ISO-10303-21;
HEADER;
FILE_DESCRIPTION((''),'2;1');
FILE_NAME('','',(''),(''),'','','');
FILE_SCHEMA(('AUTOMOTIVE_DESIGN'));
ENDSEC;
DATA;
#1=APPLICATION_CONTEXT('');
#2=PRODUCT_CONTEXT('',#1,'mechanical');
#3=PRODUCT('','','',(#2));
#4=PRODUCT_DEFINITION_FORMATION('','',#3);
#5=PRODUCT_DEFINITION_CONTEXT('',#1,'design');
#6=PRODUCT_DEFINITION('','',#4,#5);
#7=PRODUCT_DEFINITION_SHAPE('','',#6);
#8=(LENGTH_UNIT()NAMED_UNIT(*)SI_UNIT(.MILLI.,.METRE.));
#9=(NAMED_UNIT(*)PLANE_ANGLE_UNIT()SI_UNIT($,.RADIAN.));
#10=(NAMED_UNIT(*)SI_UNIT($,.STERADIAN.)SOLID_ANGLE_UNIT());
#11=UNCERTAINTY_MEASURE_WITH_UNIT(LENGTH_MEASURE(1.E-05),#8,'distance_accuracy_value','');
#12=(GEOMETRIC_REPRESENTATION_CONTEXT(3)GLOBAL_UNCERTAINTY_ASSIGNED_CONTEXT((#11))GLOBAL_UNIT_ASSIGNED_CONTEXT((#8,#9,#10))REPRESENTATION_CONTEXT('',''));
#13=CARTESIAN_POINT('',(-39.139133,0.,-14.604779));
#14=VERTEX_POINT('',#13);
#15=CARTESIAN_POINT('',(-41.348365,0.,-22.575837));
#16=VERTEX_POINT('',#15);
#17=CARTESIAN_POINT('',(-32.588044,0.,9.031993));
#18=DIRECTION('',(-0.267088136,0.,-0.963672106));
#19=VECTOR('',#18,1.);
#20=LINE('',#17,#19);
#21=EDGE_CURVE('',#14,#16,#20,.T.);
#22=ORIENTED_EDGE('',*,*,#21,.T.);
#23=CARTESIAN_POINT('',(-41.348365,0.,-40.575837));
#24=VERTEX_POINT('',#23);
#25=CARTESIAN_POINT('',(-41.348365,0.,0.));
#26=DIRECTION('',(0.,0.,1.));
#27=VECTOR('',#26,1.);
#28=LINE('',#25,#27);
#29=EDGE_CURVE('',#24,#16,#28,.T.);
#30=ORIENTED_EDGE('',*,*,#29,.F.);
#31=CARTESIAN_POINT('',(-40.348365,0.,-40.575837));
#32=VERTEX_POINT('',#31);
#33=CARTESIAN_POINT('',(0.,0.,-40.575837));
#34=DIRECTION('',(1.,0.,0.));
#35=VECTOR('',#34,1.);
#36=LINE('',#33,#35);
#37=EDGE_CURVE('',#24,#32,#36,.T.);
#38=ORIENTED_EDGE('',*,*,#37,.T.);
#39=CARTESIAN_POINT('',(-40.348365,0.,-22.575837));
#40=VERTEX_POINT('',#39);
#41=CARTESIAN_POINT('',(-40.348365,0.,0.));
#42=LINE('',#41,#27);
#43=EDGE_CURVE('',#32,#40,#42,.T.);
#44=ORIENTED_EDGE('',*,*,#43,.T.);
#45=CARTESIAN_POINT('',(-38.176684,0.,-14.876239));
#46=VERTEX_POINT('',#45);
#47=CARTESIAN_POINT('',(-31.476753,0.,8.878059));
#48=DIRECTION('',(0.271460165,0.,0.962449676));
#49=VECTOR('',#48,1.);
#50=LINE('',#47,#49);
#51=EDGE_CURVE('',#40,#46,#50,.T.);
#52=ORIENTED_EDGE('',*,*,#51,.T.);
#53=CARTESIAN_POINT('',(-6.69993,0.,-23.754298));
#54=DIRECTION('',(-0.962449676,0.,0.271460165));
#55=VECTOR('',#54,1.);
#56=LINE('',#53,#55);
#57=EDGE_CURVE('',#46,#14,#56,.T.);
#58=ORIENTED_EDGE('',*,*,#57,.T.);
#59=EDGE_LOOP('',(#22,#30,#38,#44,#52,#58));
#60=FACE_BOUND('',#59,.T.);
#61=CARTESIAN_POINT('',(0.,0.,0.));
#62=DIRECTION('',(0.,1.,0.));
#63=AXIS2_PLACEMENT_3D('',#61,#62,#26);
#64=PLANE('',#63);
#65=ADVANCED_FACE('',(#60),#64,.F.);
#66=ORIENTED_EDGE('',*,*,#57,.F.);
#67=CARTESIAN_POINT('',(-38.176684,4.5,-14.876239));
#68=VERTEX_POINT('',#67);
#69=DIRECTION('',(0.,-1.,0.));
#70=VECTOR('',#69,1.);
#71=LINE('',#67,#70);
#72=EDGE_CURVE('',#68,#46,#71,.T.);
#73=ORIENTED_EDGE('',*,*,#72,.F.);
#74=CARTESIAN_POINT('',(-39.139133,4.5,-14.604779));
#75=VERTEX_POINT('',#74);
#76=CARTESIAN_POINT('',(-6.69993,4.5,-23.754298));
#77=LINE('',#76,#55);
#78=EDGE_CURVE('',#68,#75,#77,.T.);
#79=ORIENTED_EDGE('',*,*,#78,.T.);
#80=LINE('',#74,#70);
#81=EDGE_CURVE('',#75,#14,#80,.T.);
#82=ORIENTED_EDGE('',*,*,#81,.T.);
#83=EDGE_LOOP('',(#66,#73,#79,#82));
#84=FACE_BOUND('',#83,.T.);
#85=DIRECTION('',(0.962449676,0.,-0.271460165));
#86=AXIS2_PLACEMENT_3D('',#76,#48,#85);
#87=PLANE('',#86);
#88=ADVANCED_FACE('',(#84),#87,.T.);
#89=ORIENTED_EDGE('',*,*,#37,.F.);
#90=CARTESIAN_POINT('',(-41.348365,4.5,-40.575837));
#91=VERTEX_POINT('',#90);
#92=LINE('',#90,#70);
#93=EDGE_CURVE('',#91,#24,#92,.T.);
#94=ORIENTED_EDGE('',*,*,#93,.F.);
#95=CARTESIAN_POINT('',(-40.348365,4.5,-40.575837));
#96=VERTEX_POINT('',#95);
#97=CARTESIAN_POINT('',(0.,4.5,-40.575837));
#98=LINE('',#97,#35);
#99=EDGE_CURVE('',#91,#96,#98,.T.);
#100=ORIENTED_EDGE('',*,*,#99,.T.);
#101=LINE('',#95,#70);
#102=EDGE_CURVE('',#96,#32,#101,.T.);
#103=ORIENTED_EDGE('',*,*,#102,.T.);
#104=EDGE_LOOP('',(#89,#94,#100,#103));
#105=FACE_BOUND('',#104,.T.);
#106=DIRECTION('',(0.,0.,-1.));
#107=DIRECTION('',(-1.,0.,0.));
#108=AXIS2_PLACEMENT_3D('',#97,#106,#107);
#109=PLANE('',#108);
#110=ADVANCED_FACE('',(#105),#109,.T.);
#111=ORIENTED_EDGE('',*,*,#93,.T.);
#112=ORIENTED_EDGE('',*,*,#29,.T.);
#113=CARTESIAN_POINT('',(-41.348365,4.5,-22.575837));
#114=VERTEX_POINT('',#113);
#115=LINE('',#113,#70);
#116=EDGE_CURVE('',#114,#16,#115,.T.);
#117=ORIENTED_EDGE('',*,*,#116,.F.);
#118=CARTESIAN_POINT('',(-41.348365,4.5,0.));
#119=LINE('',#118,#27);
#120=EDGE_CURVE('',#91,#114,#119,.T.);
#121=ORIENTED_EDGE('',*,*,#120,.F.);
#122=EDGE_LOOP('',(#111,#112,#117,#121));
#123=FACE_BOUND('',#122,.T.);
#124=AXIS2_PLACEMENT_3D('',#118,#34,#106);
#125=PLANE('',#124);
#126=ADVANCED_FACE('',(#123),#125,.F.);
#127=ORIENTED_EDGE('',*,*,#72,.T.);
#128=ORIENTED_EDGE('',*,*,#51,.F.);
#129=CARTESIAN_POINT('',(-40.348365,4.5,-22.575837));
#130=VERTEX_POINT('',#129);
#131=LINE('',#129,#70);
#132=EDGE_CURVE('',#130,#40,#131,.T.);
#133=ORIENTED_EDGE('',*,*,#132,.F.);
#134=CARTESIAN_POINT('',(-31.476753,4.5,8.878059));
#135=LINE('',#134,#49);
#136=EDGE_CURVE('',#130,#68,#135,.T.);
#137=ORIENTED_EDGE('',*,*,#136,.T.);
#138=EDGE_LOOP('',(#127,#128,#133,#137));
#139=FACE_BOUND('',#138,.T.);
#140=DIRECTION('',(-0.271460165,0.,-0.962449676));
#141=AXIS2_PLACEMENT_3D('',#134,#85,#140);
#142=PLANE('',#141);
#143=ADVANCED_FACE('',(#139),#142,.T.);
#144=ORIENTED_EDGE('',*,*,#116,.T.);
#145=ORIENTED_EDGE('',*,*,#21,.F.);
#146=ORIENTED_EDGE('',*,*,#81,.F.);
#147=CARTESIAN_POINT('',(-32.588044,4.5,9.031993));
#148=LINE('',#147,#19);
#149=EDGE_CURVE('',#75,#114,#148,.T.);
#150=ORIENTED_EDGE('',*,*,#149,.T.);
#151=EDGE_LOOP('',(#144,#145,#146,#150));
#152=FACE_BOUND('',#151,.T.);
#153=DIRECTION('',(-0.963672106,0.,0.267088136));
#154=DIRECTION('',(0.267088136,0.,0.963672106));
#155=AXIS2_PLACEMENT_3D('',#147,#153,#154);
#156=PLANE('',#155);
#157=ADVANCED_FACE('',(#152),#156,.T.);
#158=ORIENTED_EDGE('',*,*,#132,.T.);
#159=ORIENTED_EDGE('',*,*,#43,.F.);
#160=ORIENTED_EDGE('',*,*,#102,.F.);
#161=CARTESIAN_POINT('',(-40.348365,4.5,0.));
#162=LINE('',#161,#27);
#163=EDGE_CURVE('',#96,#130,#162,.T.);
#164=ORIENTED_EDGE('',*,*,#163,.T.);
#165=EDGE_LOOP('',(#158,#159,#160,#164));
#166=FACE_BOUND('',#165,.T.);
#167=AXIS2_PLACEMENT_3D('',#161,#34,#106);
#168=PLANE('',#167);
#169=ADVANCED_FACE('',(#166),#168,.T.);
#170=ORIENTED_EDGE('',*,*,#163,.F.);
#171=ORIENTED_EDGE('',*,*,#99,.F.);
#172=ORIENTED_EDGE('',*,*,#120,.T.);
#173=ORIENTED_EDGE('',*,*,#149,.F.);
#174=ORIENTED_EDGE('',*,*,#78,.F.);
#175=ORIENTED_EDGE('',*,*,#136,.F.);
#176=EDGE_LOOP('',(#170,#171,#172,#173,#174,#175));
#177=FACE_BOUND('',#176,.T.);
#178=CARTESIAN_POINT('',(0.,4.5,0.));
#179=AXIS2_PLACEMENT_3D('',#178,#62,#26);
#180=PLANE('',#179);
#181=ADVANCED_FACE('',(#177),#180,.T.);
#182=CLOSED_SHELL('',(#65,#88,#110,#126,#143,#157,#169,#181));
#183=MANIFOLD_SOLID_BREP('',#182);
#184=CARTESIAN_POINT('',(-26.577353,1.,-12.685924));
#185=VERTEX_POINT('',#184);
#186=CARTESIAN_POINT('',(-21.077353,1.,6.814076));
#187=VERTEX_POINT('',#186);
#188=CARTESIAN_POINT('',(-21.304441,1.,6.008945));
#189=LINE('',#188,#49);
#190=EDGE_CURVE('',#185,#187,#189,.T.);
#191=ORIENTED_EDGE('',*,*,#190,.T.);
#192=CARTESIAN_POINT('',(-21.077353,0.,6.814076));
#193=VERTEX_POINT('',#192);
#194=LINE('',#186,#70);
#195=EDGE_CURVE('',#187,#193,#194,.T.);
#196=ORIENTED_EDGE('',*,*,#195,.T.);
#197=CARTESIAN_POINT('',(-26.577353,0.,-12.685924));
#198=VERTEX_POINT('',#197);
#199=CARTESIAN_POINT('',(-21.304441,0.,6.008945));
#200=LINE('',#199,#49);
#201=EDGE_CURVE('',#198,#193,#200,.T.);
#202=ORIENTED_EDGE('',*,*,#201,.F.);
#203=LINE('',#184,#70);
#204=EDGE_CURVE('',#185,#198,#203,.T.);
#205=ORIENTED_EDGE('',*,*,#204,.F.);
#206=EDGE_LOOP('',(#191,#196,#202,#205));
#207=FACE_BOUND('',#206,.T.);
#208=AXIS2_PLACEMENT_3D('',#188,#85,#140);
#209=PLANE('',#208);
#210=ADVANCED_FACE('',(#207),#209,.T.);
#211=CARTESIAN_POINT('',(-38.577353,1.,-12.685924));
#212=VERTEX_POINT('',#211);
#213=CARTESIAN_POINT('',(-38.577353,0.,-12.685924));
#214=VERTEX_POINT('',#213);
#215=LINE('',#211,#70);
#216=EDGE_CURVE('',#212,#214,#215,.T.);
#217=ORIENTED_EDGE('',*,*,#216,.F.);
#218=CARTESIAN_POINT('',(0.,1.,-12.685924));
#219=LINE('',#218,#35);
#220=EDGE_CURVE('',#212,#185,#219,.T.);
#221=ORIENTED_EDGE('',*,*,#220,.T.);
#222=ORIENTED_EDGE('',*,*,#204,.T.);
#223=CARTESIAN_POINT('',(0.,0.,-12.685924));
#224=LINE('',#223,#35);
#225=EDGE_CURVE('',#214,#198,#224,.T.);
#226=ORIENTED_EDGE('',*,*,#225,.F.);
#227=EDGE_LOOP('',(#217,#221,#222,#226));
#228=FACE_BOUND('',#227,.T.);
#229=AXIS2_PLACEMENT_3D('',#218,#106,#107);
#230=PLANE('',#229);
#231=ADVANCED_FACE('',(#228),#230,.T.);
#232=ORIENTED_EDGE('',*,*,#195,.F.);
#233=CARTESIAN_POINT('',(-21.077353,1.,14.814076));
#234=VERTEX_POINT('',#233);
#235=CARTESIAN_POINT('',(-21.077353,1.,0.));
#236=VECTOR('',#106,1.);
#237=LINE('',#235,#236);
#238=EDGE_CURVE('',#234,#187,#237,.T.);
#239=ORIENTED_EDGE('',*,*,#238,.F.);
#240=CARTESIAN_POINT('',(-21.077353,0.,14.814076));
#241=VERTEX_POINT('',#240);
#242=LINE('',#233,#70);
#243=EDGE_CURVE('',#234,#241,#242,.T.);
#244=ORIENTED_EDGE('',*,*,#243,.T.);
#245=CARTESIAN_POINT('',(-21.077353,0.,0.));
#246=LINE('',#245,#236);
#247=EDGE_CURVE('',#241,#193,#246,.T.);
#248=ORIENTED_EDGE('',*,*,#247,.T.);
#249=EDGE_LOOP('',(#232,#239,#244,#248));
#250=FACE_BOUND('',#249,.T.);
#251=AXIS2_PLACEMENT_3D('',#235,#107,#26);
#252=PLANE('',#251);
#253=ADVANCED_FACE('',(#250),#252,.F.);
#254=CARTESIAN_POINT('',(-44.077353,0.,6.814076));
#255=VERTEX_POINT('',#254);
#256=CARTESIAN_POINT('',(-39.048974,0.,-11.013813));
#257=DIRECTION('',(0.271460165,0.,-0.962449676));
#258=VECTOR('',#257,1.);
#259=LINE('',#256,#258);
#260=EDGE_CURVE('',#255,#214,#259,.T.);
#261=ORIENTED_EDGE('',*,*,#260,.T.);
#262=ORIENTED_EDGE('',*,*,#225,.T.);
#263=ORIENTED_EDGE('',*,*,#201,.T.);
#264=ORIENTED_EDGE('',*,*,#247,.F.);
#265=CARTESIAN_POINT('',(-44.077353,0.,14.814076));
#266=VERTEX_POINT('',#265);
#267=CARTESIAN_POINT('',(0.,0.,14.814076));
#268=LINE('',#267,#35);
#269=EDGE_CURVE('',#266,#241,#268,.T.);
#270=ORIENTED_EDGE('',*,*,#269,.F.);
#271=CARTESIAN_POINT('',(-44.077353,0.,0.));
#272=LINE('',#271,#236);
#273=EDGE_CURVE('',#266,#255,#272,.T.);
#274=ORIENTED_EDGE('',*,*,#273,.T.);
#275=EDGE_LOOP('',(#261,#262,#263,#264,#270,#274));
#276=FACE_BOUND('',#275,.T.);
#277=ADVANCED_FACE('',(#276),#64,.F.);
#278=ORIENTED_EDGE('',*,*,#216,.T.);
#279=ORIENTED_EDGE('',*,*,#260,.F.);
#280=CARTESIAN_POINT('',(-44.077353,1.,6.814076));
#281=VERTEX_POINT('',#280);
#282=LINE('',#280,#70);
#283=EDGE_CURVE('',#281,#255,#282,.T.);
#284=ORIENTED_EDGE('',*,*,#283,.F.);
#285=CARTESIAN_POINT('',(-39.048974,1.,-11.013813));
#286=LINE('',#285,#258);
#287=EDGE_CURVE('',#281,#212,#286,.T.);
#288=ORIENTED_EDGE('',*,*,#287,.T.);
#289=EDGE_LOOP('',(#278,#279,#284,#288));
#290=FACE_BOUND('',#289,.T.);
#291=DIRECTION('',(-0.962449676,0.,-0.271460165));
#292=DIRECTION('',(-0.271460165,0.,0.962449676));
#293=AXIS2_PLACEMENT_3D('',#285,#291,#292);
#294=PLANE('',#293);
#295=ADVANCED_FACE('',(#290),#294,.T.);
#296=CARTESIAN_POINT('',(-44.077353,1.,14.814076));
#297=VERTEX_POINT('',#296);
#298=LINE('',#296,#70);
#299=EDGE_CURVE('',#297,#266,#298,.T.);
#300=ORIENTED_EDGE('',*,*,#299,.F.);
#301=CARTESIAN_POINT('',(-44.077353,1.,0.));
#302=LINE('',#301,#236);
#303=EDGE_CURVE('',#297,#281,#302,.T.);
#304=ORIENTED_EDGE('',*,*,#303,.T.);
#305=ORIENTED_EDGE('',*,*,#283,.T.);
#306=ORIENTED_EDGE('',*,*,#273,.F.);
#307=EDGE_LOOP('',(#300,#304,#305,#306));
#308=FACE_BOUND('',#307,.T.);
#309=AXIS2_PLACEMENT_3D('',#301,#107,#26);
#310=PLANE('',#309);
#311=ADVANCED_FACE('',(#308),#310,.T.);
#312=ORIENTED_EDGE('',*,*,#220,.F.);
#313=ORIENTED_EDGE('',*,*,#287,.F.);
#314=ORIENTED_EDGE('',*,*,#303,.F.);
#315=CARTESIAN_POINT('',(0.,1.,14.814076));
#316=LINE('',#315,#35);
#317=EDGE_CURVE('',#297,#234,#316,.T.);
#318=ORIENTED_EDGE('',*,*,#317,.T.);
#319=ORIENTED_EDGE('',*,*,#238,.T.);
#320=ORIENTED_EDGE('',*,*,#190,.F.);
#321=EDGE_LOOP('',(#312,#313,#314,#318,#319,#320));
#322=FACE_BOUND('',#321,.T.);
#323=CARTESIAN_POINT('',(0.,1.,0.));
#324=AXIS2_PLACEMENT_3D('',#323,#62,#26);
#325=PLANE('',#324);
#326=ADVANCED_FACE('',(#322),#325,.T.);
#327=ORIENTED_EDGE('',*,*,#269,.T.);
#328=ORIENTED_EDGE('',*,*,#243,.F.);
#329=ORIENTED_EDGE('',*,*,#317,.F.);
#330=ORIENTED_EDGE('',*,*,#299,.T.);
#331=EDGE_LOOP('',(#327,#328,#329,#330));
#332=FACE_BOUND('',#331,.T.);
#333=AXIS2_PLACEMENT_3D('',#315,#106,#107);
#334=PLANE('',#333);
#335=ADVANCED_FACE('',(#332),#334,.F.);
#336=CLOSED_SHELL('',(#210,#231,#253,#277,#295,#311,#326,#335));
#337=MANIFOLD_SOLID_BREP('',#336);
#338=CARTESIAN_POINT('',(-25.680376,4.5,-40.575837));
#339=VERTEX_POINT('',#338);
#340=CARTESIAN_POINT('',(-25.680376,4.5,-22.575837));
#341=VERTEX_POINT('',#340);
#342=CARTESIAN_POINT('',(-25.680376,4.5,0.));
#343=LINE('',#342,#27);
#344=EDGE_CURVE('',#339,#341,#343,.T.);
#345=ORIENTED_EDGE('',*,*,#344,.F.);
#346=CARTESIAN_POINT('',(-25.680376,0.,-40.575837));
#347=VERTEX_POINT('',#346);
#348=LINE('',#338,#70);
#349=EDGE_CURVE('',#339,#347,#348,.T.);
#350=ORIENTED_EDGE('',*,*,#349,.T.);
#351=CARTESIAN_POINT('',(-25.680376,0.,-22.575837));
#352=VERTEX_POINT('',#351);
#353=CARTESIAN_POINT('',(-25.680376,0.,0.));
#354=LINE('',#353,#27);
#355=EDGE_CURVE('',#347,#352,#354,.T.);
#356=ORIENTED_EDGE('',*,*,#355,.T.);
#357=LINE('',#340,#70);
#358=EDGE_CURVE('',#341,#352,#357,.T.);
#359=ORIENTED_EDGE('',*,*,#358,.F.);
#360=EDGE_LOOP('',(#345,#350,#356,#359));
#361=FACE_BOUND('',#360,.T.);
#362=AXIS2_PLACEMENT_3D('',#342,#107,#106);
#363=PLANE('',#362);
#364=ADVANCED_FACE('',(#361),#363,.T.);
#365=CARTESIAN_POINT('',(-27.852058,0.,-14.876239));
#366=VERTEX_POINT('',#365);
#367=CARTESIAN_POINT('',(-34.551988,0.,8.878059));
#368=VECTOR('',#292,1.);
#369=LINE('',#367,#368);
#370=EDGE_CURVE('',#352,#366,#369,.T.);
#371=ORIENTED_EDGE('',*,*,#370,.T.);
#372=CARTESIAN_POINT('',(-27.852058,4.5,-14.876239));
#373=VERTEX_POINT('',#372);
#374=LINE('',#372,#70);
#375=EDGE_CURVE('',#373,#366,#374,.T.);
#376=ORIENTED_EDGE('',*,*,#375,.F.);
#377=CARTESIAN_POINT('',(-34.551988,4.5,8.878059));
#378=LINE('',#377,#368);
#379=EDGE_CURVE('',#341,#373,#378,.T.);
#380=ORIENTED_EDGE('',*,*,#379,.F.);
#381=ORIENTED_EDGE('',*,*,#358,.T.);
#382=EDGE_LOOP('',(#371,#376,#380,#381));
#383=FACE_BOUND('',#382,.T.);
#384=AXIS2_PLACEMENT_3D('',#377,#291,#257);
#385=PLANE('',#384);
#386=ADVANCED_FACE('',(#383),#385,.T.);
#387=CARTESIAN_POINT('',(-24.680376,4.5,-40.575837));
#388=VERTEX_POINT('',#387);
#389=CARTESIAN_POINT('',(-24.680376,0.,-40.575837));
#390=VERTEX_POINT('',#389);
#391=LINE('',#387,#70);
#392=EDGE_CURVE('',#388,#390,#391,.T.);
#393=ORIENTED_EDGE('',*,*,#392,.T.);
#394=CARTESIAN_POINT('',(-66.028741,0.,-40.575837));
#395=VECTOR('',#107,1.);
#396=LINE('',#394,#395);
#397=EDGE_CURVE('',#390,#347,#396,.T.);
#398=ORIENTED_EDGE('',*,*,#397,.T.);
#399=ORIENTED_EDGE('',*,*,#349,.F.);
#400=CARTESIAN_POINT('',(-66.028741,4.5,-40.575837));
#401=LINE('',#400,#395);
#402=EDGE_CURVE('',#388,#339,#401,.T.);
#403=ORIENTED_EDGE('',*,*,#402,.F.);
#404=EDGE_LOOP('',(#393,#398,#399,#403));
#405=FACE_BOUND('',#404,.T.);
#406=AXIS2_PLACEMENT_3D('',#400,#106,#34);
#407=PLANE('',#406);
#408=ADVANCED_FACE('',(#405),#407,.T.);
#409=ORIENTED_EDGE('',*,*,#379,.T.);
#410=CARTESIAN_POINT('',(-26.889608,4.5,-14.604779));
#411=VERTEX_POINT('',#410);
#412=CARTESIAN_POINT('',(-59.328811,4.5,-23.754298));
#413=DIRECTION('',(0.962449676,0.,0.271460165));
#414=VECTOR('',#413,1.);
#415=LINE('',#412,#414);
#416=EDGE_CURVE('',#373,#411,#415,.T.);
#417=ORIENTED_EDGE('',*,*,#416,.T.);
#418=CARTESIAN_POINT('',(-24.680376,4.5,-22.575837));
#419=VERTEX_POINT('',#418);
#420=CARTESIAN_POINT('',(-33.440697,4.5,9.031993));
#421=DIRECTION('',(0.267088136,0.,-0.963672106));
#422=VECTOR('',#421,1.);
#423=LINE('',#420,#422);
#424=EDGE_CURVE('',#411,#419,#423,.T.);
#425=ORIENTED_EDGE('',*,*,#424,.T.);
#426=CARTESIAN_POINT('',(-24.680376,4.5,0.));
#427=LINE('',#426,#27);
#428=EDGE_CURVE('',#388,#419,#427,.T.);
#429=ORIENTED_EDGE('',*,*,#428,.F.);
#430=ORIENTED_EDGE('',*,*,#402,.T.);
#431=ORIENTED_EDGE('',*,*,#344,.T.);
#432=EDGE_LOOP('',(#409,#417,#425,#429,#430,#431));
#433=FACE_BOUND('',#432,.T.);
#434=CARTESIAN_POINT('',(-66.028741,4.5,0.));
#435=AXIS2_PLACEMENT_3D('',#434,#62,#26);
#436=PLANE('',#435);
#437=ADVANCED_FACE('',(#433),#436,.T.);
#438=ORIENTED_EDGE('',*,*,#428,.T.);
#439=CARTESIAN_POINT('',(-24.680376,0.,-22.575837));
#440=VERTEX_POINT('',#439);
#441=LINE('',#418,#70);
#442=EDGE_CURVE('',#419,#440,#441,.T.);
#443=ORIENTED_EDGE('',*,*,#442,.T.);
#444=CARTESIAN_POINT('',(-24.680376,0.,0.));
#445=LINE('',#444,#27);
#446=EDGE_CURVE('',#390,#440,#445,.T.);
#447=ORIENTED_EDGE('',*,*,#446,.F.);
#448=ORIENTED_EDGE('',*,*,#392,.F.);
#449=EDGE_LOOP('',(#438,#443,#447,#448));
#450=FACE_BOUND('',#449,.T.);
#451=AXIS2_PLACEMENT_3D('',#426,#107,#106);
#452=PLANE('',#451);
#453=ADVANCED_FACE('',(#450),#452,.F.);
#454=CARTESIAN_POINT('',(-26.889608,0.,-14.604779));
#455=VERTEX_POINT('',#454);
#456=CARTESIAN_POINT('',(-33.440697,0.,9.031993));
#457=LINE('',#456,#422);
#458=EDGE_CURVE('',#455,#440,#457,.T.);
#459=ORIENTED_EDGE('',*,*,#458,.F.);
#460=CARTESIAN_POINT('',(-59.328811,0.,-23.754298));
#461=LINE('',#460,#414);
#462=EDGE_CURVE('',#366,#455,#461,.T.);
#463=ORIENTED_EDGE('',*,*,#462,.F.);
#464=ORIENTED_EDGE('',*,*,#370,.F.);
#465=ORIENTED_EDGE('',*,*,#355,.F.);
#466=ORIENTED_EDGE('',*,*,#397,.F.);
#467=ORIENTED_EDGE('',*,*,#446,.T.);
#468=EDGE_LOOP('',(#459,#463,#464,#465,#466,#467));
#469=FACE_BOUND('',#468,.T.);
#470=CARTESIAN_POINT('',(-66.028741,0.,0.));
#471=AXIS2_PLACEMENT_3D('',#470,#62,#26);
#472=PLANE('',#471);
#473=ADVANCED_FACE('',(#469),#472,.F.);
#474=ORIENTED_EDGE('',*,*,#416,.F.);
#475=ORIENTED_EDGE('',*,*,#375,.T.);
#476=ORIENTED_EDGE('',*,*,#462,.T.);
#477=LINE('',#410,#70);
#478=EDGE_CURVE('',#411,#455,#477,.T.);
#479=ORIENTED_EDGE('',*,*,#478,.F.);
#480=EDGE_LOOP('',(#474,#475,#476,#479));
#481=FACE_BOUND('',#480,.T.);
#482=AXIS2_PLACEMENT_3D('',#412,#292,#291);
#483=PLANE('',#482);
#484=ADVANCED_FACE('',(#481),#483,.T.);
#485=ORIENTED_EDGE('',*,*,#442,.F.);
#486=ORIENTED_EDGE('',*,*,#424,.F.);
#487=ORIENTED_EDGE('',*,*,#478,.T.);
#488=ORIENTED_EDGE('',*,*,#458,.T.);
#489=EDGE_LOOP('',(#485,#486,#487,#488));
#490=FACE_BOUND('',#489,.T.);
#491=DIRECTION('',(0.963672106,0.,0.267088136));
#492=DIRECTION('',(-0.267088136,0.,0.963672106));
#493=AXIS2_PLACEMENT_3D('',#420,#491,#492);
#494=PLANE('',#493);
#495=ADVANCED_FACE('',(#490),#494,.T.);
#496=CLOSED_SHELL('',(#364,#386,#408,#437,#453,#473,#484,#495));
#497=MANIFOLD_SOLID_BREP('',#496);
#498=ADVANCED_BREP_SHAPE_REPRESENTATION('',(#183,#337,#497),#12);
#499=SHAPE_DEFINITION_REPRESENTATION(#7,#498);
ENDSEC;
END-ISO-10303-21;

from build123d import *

# Parameters (mm, degrees)
SKETCH1_W           = 11.5
SKETCH1_H           = 8
BOSS_EXTRUDE1_DEPTH = 1
SKETCH3_W           = 1
SKETCH3_H           = 18
BOSS_EXTRUDE2_DEPTH = 4.5


with BuildPart() as part:
    # Sketch1 → Boss-Extrude1 (new body)
    with BuildSketch(Plane(origin=(0, 0, 0), x_dir=(1, 0, 0), z_dir=(0, 1, 0))):
        Polygon((-38.577353254, 12.685924323), (-44.077353254, -6.814075677), (-32.577353254, -6.814075677), (-32.577353254, 12.685924323), align=None)
        Polygon((-32.577353254, 12.685924323), (-32.577353254, -6.814075677), (-21.077353254, -6.814075677), (-26.577353254, 12.685924323), align=None)
        with Locations((-26.827353254, -10.814075677)):
            Rectangle(SKETCH1_W, SKETCH1_H)
        with Locations((-38.327353254, -10.814075677)):
            Rectangle(SKETCH1_W, SKETCH1_H)
    extrude(amount=BOSS_EXTRUDE1_DEPTH)


with BuildPart() as body_2:
    # Sketch3 → Boss-Extrude2 (new body)
    with BuildSketch(Plane(origin=(0, 0, 0), x_dir=(1, 0, 0), z_dir=(0, 1, 0))):
        with Locations((-40.84836488, 31.575836794)):
            Rectangle(SKETCH3_W, SKETCH3_H)
        Polygon((-39.139133236, 14.604779221), (-41.34836488, 22.575836794), (-40.34836488, 22.575836794), (-38.17668356, 14.876239386), align=None)
    extrude(amount=BOSS_EXTRUDE2_DEPTH)


with BuildPart() as body_3:
    # Mirror1: mirrored copy
    add(body_2.part.mirror(Plane(origin=(-40.34836488, 4.5, 0), x_dir=(0, 0, 1), z_dir=(1, 0, 0))))


with BuildPart() as body_3_1:
    # Body-Move/Copy1: moved
    add(body_3.part.moved(Location((14.667988389, 0, 0))))


solid = Compound([part.part, body_2.part, body_3_1.part])
